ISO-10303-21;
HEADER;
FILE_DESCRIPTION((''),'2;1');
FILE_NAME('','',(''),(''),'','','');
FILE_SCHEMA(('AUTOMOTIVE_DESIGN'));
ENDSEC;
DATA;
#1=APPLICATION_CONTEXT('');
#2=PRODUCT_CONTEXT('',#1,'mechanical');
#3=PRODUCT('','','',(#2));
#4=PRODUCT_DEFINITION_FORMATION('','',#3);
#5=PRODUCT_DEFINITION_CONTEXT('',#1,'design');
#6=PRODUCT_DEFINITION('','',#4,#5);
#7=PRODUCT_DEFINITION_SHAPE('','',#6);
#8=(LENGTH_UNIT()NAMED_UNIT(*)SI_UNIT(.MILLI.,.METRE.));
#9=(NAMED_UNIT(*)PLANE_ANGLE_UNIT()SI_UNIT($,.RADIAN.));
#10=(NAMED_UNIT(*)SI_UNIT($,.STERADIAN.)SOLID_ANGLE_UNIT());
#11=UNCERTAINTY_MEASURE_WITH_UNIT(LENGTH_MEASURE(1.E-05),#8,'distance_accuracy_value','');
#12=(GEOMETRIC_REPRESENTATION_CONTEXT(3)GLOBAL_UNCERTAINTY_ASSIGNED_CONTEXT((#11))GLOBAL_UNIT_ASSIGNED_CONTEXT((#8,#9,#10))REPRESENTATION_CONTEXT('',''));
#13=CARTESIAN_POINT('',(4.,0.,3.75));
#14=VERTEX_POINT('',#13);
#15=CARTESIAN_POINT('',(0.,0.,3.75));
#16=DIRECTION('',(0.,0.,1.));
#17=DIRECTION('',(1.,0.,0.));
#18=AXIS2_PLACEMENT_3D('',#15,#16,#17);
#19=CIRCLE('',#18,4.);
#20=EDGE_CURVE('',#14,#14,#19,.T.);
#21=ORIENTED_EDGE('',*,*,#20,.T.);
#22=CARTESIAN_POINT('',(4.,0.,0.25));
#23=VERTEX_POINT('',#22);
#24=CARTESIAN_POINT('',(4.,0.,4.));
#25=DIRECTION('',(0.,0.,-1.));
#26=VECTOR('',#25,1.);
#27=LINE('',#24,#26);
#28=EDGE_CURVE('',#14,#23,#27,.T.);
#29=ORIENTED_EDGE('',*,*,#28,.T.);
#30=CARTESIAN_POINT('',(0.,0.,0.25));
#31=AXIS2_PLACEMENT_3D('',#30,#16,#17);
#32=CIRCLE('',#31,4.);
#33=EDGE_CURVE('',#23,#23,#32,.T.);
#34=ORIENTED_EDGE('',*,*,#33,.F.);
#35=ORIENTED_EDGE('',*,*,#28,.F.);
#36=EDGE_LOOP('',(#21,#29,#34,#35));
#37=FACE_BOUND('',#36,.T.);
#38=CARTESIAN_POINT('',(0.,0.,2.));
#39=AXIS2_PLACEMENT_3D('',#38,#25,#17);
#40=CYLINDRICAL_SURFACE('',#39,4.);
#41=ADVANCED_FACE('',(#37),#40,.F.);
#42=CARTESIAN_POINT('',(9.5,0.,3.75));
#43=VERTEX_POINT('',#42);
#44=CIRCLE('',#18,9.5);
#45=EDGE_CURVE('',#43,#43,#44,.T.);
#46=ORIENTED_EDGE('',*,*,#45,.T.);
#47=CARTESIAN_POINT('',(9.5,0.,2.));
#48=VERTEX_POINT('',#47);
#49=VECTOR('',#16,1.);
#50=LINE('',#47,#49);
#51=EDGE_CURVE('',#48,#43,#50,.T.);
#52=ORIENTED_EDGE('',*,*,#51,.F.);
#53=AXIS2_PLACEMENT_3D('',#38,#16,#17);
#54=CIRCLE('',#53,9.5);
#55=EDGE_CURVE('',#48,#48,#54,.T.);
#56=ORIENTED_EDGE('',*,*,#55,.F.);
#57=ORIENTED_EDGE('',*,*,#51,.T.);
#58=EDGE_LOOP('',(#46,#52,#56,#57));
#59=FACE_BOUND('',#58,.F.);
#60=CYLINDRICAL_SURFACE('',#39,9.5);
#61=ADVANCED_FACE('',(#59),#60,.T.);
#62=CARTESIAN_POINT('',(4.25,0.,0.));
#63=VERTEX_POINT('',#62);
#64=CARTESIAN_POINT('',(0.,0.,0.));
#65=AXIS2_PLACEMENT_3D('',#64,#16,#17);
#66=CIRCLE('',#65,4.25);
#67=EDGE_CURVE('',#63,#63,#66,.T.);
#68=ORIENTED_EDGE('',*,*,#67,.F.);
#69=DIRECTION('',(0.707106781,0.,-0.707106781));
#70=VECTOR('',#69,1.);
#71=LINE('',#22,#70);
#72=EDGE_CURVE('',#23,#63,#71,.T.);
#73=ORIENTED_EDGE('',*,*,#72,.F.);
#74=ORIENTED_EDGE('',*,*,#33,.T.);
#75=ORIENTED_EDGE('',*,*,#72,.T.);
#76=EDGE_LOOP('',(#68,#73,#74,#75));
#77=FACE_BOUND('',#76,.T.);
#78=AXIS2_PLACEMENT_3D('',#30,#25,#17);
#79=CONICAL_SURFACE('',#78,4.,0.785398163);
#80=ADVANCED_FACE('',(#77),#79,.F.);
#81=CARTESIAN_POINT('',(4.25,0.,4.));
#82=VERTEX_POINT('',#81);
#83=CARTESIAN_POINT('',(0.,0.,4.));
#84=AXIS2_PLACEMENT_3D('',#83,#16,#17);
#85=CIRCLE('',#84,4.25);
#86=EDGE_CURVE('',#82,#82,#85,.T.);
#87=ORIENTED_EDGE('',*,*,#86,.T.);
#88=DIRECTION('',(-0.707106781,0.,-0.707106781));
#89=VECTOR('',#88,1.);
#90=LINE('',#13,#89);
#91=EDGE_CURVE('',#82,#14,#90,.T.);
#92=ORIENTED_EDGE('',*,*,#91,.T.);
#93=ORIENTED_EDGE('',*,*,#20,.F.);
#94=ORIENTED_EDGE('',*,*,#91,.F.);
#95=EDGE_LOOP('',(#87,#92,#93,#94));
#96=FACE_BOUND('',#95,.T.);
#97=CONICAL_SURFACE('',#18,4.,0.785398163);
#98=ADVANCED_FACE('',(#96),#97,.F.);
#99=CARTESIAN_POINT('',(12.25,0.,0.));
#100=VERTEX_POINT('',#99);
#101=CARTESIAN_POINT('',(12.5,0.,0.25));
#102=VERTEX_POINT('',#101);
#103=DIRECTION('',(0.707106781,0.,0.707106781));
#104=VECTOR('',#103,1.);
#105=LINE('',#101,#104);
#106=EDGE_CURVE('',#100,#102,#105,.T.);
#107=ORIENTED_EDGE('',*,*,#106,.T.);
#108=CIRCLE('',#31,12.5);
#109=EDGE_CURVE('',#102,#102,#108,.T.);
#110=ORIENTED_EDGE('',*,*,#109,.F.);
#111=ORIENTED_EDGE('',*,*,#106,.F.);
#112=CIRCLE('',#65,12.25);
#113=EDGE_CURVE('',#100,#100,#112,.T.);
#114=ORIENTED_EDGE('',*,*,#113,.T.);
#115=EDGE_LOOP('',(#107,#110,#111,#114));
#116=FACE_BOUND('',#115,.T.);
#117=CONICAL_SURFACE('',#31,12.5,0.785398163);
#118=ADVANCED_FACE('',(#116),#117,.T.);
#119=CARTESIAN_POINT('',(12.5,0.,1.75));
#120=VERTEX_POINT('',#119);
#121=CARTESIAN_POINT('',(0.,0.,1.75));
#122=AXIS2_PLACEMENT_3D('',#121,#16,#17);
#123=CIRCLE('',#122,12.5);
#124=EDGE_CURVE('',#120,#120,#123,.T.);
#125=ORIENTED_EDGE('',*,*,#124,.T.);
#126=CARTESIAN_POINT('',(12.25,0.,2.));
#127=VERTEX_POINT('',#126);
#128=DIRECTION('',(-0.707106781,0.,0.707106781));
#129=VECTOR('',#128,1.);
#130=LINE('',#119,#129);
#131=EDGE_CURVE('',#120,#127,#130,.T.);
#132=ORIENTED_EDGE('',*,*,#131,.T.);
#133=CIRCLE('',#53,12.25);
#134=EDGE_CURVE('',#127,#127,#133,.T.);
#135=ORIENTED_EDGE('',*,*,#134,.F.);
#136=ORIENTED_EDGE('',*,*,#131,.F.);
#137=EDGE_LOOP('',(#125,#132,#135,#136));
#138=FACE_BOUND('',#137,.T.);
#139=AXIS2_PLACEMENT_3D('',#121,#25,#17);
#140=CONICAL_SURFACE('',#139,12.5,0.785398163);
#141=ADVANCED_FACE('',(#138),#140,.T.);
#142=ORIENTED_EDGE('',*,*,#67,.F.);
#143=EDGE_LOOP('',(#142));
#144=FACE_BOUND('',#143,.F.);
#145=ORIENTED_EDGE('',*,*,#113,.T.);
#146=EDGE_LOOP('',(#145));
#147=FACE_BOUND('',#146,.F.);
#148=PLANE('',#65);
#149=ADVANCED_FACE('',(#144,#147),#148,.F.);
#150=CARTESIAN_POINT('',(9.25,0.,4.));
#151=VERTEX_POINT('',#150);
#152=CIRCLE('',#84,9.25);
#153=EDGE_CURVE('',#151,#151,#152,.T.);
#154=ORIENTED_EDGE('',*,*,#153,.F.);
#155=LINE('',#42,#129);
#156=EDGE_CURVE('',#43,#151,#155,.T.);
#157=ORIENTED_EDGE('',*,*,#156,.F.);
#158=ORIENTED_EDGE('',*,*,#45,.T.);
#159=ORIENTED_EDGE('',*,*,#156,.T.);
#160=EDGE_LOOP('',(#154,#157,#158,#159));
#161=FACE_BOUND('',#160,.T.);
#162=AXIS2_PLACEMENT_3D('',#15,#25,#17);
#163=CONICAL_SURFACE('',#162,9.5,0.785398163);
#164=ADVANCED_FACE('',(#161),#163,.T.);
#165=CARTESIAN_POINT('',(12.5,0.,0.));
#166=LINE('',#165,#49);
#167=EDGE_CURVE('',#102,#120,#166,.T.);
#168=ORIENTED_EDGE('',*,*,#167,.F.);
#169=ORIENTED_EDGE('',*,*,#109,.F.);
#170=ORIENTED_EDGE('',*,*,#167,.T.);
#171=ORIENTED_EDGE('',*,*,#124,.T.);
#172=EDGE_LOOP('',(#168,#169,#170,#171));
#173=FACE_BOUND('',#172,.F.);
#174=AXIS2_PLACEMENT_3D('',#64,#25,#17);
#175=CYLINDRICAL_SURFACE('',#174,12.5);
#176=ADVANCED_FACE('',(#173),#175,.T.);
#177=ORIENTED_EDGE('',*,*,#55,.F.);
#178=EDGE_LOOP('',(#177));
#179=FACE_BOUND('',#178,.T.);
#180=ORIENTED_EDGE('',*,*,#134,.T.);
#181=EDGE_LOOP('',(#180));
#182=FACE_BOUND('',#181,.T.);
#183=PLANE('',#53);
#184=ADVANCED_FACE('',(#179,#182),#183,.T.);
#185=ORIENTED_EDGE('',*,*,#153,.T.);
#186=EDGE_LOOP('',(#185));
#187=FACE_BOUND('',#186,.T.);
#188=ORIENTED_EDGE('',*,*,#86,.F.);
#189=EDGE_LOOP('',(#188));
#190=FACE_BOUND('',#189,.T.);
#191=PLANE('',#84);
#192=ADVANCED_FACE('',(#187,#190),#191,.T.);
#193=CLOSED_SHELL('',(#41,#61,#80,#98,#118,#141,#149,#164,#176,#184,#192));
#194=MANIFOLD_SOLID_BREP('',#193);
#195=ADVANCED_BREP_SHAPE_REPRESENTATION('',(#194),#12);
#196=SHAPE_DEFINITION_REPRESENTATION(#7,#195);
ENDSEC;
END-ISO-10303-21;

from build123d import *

# Parameters (mm, degrees)
F0_R     = 12.5
F0_R_2   = 4
F1_DEPTH = 2
F2_R     = 9.5
F2_R_2   = 4
F3_DEPTH = 2
F4_SIZE  = 0.25


with BuildPart() as f1:
    # F0 (on Top) → F1 (new body)
    with BuildSketch(Plane.XY):
        Circle(F0_R)
        Circle(F0_R_2, mode=Mode.SUBTRACT)
    extrude(amount=F1_DEPTH)

    # F2 (on face) → F3 (join)
    with BuildSketch(Plane.XY.offset(2)):
        Circle(F2_R)
        Circle(F2_R_2, mode=Mode.SUBTRACT)
    extrude(amount=F3_DEPTH)

    # F4
    f4_edges = [f1.edges().sort_by_distance(p)[0] for p in [
        (-9.5, 0, 4),
        (-4, 0, 4),
        (-12.5, 0, 2),
        (-12.5, 0, 0),
        (-4, 0, 0),
    ]]
    chamfer(f4_edges, length=F4_SIZE)


solid = f1.part
